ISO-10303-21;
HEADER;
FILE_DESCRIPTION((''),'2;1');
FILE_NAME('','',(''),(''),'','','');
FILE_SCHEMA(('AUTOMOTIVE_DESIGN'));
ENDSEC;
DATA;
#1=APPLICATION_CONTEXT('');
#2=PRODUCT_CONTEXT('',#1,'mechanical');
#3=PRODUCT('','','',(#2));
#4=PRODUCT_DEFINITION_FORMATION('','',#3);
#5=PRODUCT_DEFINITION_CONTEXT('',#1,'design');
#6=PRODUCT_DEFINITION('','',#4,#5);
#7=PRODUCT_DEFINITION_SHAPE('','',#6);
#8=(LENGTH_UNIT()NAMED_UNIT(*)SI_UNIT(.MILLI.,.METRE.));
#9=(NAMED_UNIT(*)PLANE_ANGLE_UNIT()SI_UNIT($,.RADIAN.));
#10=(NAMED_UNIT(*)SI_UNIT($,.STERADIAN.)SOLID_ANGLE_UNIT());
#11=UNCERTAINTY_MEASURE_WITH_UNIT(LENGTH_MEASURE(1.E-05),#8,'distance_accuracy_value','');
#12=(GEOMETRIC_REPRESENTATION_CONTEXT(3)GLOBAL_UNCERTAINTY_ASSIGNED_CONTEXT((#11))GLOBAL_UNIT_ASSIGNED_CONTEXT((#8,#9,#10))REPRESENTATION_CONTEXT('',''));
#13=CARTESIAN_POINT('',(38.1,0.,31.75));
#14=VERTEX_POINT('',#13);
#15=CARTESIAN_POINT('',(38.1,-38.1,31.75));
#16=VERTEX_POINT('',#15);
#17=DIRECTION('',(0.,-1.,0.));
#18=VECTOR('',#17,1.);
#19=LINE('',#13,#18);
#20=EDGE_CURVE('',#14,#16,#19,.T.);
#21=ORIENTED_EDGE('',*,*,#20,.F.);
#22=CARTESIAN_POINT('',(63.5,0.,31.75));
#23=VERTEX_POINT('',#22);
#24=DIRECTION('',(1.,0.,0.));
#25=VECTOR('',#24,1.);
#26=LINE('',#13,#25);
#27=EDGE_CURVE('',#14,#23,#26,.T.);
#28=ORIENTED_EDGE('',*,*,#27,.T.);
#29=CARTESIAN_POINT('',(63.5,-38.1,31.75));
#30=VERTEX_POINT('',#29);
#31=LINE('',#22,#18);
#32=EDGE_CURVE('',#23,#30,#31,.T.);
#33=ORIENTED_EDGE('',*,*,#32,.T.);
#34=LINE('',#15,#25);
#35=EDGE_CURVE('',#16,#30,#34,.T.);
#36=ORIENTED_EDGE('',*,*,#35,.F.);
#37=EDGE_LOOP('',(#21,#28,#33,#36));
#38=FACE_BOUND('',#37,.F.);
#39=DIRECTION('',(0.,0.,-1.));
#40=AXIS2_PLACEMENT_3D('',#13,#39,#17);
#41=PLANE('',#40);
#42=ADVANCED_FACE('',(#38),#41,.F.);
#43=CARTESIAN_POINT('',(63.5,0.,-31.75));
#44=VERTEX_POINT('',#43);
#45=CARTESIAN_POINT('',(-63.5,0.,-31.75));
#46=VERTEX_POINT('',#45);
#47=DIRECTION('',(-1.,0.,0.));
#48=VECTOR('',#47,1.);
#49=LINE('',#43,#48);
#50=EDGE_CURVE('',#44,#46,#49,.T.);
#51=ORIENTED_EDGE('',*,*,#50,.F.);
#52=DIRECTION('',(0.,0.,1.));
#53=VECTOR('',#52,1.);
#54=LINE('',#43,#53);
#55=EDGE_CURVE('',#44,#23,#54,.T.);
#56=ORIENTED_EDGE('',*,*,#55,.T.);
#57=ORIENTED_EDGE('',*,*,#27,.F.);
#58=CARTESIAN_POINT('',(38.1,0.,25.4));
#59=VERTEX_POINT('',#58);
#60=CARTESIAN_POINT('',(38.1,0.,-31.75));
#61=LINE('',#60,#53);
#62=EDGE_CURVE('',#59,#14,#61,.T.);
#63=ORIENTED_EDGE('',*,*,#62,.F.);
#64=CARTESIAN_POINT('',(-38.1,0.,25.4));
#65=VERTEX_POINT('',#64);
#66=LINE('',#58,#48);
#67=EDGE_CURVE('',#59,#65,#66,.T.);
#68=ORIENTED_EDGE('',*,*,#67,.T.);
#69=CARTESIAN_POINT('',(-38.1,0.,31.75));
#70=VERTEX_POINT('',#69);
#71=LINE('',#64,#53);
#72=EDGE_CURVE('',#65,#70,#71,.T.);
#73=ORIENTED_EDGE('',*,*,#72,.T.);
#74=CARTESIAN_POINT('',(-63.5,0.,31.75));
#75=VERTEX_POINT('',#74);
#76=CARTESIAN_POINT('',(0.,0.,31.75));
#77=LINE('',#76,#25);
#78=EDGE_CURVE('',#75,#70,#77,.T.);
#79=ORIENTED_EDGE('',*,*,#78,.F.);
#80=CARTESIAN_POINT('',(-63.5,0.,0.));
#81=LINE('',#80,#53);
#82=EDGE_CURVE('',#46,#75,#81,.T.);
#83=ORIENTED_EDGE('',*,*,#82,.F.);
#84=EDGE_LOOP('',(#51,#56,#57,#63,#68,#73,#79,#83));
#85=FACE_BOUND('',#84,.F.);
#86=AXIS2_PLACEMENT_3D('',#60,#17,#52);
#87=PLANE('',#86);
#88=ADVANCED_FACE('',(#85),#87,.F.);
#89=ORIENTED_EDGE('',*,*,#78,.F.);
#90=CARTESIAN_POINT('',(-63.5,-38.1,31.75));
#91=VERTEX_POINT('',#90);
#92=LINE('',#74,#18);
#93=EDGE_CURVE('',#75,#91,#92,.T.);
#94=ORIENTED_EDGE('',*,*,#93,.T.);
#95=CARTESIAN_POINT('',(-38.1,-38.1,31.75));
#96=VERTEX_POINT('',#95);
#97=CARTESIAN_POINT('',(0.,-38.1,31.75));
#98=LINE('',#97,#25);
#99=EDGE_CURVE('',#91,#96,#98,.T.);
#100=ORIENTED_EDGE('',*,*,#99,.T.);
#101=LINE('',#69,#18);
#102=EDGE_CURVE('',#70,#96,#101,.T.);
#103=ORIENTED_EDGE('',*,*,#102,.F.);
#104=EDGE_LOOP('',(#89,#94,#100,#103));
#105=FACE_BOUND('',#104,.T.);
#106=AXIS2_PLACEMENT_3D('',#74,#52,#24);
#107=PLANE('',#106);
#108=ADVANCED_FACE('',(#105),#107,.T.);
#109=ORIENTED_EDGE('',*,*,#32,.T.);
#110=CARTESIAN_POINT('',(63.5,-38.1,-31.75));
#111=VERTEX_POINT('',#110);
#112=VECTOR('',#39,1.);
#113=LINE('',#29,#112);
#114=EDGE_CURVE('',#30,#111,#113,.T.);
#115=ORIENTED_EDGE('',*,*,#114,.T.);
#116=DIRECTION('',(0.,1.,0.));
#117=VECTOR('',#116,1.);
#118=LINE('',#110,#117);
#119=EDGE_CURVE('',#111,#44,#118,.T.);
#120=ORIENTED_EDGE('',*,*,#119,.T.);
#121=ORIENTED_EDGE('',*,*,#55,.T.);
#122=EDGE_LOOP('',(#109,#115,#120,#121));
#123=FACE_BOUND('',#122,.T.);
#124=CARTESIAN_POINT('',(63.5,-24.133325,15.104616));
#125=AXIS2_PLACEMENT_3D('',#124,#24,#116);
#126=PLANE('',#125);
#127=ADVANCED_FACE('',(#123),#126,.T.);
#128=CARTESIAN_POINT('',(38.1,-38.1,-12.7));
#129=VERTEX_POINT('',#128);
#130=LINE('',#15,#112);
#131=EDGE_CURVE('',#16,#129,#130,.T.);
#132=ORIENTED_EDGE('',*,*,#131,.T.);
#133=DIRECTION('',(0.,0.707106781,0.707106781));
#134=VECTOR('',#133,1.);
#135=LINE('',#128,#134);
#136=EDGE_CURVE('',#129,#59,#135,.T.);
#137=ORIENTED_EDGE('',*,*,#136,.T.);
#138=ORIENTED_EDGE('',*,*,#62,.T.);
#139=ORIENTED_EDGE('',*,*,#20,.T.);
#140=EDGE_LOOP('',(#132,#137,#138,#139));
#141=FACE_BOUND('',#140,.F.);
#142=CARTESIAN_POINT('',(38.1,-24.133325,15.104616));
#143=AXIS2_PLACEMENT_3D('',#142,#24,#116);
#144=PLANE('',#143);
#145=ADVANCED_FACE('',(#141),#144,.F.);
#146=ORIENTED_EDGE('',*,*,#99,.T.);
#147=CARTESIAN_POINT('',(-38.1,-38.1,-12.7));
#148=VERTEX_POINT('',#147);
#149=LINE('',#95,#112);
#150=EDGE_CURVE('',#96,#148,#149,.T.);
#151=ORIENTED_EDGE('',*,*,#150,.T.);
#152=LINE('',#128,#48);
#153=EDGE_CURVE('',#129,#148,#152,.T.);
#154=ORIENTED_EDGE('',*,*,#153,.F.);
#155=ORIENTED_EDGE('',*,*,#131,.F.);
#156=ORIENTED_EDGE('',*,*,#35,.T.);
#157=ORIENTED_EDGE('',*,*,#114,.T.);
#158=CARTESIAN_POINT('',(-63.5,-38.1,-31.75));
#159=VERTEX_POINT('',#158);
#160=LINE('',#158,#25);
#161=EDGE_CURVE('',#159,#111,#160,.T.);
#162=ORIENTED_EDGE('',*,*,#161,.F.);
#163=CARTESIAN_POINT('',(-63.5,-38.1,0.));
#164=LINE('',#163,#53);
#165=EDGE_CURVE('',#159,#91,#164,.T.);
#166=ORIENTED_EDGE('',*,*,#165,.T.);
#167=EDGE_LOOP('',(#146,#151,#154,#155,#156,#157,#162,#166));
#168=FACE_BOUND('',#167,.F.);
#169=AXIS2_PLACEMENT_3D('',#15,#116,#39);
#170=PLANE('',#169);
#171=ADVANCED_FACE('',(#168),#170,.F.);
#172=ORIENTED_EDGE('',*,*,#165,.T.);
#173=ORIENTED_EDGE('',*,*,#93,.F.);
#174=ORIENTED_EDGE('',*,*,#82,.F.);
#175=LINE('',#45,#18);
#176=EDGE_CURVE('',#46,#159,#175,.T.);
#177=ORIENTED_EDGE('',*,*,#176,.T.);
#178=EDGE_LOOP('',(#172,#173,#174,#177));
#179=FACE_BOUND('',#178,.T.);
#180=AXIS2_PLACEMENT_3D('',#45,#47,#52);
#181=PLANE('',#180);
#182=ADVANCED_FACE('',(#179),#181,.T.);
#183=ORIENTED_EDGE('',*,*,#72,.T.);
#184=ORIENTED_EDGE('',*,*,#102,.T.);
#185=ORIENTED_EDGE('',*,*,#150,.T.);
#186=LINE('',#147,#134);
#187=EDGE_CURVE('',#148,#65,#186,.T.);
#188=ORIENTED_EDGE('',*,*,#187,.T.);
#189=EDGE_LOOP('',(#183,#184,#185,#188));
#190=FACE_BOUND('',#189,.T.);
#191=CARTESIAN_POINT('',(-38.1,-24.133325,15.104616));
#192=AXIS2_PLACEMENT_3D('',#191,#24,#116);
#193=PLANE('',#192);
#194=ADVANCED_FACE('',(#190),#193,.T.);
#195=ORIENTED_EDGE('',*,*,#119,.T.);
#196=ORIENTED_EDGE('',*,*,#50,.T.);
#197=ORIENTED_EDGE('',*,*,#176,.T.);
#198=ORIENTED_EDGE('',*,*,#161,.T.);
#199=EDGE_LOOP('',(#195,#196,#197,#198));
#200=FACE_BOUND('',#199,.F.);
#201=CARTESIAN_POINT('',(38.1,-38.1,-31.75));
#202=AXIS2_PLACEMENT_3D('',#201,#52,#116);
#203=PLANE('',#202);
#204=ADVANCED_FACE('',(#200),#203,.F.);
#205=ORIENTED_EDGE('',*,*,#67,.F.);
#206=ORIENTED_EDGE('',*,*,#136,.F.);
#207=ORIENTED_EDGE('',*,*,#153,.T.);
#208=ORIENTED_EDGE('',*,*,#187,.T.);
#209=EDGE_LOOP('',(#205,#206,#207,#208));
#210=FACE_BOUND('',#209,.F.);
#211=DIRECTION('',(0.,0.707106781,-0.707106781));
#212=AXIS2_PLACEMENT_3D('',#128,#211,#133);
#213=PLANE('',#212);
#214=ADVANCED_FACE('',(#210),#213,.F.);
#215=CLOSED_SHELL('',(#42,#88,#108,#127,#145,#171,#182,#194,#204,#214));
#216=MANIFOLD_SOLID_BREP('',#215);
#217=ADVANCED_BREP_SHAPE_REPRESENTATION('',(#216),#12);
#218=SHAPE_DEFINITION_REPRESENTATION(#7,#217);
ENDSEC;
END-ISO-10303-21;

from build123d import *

# Parameters (mm, degrees)
F0_W     = 127
F0_H     = 63.5
F1_DEPTH = 38.1
F3_W     = 38.1
F3_H     = 63.5
F4_DEPTH = 25.4
F6_DEPTH = 76.2
F8_DEPTH = 25.4


with BuildPart() as f1:
    # F0 (on Front) → F1 (new body)
    with BuildSketch(Plane.XZ):
        Rectangle(F0_W, F0_H)
    extrude(amount=F1_DEPTH)

    # F3 (on face) → F4 (cut)
    with BuildSketch(Plane.YZ.offset(63.5)):
        with Locations((-19.05, 0)):
            Rectangle(F3_W, F3_H)
    extrude(amount=-F4_DEPTH, mode=Mode.SUBTRACT)

    # F5 (on face) → F6 (cut)
    with BuildSketch(Plane.YZ.offset(38.1)):
        Polygon((-38.1, 31.75), (-38.1, -12.7), (0, 25.4), (0, 31.75), align=None)
    extrude(amount=-F6_DEPTH, mode=Mode.SUBTRACT)

    # F7 (on face) → F8 (join)
    with BuildSketch(Plane.YZ.offset(38.1)):
        Polygon((-38.1, -12.7), (0, 25.4), (0, 31.75), (-38.1, 31.75), align=None)
        Polygon((-38.1, -31.75), (0, -31.75), (0, 25.4), (-38.1, -12.7), align=None)
    extrude(amount=F8_DEPTH)


solid = f1.part
